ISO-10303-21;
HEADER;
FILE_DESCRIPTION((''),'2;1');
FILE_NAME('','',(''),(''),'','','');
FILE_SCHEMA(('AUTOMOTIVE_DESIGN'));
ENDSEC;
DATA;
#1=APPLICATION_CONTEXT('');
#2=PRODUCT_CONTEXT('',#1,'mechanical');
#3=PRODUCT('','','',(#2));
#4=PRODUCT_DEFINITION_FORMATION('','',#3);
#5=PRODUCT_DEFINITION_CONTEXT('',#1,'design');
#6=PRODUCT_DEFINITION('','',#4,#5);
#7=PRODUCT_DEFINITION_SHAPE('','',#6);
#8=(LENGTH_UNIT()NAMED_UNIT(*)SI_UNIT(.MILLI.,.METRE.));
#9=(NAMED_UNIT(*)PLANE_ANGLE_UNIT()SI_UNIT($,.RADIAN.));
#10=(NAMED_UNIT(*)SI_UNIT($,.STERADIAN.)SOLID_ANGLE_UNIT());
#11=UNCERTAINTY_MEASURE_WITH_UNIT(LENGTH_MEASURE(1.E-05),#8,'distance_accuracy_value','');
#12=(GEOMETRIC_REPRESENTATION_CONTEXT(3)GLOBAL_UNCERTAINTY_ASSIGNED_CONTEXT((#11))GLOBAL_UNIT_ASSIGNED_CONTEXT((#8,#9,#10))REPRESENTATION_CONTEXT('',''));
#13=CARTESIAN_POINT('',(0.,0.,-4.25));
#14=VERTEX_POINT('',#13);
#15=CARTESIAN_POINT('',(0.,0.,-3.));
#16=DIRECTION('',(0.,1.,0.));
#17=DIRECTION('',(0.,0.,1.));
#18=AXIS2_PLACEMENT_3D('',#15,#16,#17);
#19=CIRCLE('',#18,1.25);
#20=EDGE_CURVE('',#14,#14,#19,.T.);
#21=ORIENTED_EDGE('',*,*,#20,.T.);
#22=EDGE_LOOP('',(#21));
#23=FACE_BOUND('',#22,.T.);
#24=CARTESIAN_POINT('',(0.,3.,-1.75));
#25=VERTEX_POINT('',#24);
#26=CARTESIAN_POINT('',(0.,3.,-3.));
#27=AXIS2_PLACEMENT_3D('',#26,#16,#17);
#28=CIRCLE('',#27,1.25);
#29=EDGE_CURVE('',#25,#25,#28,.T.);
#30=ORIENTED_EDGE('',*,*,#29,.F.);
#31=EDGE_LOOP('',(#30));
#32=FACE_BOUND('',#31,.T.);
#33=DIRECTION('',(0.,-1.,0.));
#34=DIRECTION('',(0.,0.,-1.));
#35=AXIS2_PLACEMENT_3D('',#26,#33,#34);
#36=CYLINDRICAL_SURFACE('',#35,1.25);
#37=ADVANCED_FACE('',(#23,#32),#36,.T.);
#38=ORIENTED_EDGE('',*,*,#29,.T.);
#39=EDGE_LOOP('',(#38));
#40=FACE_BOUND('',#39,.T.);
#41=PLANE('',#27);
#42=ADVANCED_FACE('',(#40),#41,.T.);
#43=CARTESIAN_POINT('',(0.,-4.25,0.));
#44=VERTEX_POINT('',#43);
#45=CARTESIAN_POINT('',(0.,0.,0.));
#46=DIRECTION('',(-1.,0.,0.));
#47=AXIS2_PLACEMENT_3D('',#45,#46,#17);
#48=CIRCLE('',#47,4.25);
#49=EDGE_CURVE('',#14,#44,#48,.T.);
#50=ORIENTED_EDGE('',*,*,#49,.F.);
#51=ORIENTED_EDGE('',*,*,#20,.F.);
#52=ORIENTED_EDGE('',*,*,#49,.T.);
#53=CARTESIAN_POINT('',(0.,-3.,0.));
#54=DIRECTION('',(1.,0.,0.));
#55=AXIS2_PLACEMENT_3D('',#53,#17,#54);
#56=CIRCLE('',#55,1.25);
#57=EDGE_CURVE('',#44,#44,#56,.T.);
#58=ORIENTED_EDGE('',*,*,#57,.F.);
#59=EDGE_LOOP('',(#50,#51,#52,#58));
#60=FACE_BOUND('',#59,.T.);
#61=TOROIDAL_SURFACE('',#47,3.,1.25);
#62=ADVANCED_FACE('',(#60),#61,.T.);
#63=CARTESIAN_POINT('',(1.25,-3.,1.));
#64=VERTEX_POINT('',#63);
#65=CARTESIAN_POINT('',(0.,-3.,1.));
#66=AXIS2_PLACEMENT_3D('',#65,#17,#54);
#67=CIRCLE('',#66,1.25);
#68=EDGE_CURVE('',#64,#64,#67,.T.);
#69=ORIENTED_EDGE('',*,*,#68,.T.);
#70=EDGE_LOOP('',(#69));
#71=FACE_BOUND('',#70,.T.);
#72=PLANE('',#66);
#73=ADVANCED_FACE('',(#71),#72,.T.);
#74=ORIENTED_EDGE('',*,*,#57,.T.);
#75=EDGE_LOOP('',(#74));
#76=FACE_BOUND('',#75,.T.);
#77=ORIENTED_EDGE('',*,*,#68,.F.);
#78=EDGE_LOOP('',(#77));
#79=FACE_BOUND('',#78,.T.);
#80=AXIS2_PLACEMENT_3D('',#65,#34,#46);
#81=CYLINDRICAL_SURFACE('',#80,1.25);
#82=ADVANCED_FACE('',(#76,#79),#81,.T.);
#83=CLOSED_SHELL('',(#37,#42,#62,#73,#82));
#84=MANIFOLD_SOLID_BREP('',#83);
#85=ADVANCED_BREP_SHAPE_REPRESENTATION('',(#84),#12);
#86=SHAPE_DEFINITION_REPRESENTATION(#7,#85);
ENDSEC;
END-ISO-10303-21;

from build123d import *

# Parameters (mm, degrees)
ESQUISSE5_R        = 1.25
R_VOLUTION1_ANGLE  = 90
ESQUISSE6_R        = 1.25
BOSS_EXTRU_3_DEPTH = 1
ESQUISSE7_R        = 1.25
BOSS_EXTRU_4_DEPTH = 3


with BuildPart() as part:
    # Esquisse5 → Révolution1 (revolve)
    with BuildSketch(Plane.XY):
        with Locations((0, -3)):
            Circle(ESQUISSE5_R)
    revolve(axis=Axis((-1.070799248, 0, 0), (1, 0, 0)), revolution_arc=R_VOLUTION1_ANGLE)

    # Esquisse6 → Boss.-Extru.3 (add)
    with BuildSketch(Plane.XY):
        with Locations(Location((0, -3, 0), (0, 0, 270))):
            Circle(ESQUISSE6_R)
    extrude(amount=BOSS_EXTRU_3_DEPTH)

    # Esquisse7 → Boss.-Extru.4 (add)
    with BuildSketch(Plane(origin=(0, 0, 0), x_dir=(1, 0, 0), z_dir=(0, 1, 0))):
        with Locations(Location((0, 3, 0), (0, 0, 90))):
            Circle(ESQUISSE7_R)
    extrude(amount=BOSS_EXTRU_4_DEPTH)


solid = part.part
